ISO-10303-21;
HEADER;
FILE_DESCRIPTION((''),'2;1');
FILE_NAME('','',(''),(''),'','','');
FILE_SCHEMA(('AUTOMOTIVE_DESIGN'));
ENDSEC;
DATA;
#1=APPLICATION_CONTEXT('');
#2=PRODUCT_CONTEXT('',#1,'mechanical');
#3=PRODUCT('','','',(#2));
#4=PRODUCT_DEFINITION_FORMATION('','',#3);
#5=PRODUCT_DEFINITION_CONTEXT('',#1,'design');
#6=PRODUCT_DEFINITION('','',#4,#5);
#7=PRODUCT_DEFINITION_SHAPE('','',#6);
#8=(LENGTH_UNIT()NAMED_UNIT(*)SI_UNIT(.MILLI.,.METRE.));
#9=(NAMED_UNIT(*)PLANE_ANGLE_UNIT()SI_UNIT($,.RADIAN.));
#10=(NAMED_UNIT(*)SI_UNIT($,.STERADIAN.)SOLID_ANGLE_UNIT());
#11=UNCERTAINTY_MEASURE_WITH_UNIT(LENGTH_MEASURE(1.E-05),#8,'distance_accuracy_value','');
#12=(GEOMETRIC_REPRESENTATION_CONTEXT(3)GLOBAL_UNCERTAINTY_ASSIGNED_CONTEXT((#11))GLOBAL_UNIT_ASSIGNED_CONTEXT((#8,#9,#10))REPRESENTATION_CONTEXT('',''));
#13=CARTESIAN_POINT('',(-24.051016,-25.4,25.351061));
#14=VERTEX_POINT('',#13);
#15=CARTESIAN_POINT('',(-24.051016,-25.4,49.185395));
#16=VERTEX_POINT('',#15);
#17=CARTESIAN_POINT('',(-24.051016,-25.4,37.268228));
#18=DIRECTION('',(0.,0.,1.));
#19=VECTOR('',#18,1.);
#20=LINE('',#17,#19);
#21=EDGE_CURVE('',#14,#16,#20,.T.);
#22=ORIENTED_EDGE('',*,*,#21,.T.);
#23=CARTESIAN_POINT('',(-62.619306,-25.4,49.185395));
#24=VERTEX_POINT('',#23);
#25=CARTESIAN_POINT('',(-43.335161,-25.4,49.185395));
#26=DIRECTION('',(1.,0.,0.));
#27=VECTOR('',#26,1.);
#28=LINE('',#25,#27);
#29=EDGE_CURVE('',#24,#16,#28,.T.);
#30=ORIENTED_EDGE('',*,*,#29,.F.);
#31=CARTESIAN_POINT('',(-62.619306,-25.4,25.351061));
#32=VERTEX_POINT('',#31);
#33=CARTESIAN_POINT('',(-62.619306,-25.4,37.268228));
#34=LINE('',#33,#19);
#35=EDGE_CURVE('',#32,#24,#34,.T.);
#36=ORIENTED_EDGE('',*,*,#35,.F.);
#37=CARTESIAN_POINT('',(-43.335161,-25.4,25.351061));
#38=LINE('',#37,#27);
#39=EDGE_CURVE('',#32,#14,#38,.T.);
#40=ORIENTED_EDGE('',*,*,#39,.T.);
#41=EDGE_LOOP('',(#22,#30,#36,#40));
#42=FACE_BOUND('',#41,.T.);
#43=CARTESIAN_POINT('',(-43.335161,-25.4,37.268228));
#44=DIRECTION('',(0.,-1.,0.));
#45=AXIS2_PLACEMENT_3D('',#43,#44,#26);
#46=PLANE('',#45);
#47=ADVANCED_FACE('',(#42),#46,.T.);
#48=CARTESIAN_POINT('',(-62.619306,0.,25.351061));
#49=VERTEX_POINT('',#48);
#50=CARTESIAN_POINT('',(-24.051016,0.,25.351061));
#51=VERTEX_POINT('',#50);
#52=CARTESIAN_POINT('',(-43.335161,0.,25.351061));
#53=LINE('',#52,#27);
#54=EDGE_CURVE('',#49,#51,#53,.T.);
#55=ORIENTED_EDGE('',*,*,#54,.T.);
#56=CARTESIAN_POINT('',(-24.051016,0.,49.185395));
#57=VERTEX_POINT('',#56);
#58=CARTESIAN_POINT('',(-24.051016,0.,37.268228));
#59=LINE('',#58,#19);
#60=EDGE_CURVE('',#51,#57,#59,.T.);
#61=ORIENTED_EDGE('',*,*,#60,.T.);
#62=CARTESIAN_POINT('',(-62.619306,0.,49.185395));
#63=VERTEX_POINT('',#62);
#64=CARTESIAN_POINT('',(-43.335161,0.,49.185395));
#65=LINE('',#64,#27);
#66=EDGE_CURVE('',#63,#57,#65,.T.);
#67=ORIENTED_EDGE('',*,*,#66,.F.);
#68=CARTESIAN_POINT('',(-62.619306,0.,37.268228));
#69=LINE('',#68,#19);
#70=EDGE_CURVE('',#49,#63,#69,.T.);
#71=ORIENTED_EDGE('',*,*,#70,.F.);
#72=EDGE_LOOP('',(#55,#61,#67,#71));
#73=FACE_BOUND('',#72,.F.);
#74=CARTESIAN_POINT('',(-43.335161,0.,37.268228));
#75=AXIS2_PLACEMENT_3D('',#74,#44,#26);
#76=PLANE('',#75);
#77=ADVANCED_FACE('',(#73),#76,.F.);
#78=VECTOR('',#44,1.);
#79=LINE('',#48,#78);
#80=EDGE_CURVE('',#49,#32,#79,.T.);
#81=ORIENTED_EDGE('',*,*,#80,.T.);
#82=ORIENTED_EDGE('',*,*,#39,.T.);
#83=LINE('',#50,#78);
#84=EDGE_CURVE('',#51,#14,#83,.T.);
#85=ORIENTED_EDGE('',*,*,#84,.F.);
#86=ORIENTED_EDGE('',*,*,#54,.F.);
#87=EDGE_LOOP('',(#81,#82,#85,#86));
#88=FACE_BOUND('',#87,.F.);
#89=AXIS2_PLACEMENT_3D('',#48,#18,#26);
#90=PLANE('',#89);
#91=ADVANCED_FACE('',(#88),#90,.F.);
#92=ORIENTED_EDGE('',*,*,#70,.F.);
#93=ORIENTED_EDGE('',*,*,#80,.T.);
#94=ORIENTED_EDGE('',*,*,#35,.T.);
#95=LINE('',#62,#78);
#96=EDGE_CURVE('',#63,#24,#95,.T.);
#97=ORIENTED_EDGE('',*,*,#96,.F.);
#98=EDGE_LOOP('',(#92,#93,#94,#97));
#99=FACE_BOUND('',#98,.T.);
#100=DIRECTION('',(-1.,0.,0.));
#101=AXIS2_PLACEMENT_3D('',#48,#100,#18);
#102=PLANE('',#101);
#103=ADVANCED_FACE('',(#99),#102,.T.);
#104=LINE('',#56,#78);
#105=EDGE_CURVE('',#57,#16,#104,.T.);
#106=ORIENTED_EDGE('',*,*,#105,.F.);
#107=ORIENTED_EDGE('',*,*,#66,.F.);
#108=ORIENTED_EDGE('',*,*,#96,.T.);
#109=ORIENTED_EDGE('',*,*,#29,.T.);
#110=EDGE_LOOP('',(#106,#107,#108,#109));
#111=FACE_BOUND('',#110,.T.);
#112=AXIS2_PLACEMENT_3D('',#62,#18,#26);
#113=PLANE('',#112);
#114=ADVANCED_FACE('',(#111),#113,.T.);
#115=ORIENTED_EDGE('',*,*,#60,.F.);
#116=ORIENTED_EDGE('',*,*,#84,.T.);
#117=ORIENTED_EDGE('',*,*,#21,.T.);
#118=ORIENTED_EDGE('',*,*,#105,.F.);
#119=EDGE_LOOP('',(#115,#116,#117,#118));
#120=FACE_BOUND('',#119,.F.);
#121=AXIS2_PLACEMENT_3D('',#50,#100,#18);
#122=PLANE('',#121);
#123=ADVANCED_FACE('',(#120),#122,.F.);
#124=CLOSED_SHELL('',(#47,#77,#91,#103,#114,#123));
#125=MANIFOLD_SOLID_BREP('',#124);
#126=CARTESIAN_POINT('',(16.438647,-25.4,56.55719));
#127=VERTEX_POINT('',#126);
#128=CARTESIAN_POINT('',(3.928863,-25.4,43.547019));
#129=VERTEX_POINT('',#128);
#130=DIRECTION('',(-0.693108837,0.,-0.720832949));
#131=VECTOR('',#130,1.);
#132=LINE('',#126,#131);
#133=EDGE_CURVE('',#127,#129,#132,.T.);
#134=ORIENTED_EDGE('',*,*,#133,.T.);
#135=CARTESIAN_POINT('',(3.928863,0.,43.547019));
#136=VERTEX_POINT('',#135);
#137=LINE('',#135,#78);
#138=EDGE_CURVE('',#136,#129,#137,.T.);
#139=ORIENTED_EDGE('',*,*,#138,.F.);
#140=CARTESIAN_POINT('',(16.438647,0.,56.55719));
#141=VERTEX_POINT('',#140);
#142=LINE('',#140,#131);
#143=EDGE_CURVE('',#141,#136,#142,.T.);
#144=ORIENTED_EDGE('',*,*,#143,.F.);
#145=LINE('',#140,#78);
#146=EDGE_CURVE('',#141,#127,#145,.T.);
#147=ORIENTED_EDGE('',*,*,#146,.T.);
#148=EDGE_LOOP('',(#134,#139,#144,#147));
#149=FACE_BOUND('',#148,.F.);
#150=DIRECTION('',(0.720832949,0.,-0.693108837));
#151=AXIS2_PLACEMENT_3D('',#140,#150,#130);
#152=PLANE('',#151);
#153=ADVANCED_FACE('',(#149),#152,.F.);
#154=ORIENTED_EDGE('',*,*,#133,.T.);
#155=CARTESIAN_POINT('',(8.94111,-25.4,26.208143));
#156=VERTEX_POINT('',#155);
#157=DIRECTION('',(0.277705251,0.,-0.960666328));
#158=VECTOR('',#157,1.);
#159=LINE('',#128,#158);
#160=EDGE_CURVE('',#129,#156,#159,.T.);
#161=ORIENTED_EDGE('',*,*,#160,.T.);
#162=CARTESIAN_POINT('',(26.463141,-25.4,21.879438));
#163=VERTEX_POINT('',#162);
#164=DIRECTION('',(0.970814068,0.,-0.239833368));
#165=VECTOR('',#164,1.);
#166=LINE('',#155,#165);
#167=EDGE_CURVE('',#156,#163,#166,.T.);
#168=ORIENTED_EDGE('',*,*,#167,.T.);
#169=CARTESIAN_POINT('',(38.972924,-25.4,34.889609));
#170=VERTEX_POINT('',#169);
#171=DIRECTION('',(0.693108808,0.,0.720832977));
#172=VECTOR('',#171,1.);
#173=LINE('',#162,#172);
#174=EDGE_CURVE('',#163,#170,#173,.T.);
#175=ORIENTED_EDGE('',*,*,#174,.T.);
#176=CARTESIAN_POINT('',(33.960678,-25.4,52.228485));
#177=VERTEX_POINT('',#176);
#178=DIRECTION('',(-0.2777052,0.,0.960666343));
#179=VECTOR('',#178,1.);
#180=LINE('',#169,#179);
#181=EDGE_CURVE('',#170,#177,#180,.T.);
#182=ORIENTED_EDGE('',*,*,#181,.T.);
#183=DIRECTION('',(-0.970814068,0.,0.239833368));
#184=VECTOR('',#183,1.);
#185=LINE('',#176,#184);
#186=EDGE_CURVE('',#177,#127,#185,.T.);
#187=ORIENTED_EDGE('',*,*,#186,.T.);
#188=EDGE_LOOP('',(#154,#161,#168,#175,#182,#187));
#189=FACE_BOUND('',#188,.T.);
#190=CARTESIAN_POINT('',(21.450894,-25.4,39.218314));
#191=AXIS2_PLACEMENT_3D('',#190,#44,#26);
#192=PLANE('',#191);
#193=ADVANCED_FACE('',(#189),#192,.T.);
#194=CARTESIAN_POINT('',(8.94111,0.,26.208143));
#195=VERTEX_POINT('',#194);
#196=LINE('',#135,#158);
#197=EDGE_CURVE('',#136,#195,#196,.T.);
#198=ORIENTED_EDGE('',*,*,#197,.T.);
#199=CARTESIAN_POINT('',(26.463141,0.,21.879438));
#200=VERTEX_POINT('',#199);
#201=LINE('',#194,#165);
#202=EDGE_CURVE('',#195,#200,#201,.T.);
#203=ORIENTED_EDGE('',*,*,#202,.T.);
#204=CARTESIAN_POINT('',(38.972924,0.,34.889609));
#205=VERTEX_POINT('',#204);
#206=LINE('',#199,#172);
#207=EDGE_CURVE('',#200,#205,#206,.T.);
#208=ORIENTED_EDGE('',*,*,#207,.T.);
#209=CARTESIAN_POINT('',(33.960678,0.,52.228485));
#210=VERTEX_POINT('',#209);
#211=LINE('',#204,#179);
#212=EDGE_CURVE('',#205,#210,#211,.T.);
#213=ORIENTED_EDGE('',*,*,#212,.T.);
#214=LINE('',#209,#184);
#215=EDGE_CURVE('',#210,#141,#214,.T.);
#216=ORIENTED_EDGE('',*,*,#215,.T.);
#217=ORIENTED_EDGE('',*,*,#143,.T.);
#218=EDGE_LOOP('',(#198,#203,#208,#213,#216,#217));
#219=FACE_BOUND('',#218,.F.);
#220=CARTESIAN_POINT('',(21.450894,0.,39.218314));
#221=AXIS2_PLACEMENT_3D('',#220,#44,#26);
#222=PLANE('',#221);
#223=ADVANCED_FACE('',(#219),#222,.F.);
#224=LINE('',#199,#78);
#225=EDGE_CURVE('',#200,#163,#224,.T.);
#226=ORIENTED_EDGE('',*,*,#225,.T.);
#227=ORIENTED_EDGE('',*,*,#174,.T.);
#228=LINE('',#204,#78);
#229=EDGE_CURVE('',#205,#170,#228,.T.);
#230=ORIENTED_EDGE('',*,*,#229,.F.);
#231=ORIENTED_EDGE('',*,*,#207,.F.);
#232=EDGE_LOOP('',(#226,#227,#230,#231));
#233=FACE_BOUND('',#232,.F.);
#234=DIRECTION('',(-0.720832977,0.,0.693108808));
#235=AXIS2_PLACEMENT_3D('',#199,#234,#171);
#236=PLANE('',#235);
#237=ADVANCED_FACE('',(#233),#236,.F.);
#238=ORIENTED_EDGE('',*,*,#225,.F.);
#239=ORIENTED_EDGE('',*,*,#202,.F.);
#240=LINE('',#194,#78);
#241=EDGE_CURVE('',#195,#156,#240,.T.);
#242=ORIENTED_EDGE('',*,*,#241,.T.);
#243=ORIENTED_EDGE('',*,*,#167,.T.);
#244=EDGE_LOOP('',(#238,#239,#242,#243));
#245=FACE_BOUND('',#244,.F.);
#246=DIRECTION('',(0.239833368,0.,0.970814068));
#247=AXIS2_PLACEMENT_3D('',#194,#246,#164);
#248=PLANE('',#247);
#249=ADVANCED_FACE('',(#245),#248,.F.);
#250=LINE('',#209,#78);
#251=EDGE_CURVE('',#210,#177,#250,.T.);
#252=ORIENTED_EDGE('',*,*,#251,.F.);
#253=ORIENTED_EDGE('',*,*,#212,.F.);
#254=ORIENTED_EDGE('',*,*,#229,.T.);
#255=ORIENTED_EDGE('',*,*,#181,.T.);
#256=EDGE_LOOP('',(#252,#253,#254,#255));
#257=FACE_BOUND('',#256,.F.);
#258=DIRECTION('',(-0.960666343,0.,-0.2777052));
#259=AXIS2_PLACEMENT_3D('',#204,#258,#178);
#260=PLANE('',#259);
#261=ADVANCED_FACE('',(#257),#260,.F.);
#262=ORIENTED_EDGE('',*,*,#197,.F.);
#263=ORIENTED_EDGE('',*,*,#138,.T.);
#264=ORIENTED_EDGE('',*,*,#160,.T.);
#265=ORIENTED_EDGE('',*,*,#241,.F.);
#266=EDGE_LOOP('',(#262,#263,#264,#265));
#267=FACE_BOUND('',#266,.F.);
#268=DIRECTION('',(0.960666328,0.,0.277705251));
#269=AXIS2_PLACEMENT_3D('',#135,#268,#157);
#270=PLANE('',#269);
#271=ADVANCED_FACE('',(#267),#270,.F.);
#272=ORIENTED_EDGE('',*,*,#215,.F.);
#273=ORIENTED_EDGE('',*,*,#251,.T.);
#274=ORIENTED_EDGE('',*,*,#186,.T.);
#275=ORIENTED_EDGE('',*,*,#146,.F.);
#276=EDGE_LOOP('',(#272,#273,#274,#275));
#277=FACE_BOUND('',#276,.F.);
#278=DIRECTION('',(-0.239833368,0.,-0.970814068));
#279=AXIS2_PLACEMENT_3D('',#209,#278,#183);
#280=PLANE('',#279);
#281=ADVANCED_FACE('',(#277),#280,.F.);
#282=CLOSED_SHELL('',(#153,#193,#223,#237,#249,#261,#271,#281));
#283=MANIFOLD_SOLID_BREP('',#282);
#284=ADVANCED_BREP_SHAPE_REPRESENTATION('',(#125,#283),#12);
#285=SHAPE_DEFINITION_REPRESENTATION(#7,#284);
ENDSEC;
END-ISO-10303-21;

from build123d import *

# Parameters (mm, degrees)
F0_W     = 38.56829
F0_H     = 23.834334
F1_DEPTH = 25.4
F3_DEPTH = 25.4


with BuildPart() as f1:
    # F0 (on Front) → F1 (new body)
    with BuildSketch(Plane.XZ):
        with Locations((-43.335161, 37.268228)):
            Rectangle(F0_W, F0_H)
    extrude(amount=F1_DEPTH)


with BuildPart() as f3:
    # F2 (on Front) → F3 (new body)
    with BuildSketch(Plane.XZ):
        Polygon((26.463141, 21.879438), (38.972924, 34.889609), (33.960678, 52.228485), (16.438647, 56.55719), (3.928863, 43.547019), (8.94111, 26.208143), align=None)
    extrude(amount=F3_DEPTH)


solid = Compound([f1.part, f3.part])
